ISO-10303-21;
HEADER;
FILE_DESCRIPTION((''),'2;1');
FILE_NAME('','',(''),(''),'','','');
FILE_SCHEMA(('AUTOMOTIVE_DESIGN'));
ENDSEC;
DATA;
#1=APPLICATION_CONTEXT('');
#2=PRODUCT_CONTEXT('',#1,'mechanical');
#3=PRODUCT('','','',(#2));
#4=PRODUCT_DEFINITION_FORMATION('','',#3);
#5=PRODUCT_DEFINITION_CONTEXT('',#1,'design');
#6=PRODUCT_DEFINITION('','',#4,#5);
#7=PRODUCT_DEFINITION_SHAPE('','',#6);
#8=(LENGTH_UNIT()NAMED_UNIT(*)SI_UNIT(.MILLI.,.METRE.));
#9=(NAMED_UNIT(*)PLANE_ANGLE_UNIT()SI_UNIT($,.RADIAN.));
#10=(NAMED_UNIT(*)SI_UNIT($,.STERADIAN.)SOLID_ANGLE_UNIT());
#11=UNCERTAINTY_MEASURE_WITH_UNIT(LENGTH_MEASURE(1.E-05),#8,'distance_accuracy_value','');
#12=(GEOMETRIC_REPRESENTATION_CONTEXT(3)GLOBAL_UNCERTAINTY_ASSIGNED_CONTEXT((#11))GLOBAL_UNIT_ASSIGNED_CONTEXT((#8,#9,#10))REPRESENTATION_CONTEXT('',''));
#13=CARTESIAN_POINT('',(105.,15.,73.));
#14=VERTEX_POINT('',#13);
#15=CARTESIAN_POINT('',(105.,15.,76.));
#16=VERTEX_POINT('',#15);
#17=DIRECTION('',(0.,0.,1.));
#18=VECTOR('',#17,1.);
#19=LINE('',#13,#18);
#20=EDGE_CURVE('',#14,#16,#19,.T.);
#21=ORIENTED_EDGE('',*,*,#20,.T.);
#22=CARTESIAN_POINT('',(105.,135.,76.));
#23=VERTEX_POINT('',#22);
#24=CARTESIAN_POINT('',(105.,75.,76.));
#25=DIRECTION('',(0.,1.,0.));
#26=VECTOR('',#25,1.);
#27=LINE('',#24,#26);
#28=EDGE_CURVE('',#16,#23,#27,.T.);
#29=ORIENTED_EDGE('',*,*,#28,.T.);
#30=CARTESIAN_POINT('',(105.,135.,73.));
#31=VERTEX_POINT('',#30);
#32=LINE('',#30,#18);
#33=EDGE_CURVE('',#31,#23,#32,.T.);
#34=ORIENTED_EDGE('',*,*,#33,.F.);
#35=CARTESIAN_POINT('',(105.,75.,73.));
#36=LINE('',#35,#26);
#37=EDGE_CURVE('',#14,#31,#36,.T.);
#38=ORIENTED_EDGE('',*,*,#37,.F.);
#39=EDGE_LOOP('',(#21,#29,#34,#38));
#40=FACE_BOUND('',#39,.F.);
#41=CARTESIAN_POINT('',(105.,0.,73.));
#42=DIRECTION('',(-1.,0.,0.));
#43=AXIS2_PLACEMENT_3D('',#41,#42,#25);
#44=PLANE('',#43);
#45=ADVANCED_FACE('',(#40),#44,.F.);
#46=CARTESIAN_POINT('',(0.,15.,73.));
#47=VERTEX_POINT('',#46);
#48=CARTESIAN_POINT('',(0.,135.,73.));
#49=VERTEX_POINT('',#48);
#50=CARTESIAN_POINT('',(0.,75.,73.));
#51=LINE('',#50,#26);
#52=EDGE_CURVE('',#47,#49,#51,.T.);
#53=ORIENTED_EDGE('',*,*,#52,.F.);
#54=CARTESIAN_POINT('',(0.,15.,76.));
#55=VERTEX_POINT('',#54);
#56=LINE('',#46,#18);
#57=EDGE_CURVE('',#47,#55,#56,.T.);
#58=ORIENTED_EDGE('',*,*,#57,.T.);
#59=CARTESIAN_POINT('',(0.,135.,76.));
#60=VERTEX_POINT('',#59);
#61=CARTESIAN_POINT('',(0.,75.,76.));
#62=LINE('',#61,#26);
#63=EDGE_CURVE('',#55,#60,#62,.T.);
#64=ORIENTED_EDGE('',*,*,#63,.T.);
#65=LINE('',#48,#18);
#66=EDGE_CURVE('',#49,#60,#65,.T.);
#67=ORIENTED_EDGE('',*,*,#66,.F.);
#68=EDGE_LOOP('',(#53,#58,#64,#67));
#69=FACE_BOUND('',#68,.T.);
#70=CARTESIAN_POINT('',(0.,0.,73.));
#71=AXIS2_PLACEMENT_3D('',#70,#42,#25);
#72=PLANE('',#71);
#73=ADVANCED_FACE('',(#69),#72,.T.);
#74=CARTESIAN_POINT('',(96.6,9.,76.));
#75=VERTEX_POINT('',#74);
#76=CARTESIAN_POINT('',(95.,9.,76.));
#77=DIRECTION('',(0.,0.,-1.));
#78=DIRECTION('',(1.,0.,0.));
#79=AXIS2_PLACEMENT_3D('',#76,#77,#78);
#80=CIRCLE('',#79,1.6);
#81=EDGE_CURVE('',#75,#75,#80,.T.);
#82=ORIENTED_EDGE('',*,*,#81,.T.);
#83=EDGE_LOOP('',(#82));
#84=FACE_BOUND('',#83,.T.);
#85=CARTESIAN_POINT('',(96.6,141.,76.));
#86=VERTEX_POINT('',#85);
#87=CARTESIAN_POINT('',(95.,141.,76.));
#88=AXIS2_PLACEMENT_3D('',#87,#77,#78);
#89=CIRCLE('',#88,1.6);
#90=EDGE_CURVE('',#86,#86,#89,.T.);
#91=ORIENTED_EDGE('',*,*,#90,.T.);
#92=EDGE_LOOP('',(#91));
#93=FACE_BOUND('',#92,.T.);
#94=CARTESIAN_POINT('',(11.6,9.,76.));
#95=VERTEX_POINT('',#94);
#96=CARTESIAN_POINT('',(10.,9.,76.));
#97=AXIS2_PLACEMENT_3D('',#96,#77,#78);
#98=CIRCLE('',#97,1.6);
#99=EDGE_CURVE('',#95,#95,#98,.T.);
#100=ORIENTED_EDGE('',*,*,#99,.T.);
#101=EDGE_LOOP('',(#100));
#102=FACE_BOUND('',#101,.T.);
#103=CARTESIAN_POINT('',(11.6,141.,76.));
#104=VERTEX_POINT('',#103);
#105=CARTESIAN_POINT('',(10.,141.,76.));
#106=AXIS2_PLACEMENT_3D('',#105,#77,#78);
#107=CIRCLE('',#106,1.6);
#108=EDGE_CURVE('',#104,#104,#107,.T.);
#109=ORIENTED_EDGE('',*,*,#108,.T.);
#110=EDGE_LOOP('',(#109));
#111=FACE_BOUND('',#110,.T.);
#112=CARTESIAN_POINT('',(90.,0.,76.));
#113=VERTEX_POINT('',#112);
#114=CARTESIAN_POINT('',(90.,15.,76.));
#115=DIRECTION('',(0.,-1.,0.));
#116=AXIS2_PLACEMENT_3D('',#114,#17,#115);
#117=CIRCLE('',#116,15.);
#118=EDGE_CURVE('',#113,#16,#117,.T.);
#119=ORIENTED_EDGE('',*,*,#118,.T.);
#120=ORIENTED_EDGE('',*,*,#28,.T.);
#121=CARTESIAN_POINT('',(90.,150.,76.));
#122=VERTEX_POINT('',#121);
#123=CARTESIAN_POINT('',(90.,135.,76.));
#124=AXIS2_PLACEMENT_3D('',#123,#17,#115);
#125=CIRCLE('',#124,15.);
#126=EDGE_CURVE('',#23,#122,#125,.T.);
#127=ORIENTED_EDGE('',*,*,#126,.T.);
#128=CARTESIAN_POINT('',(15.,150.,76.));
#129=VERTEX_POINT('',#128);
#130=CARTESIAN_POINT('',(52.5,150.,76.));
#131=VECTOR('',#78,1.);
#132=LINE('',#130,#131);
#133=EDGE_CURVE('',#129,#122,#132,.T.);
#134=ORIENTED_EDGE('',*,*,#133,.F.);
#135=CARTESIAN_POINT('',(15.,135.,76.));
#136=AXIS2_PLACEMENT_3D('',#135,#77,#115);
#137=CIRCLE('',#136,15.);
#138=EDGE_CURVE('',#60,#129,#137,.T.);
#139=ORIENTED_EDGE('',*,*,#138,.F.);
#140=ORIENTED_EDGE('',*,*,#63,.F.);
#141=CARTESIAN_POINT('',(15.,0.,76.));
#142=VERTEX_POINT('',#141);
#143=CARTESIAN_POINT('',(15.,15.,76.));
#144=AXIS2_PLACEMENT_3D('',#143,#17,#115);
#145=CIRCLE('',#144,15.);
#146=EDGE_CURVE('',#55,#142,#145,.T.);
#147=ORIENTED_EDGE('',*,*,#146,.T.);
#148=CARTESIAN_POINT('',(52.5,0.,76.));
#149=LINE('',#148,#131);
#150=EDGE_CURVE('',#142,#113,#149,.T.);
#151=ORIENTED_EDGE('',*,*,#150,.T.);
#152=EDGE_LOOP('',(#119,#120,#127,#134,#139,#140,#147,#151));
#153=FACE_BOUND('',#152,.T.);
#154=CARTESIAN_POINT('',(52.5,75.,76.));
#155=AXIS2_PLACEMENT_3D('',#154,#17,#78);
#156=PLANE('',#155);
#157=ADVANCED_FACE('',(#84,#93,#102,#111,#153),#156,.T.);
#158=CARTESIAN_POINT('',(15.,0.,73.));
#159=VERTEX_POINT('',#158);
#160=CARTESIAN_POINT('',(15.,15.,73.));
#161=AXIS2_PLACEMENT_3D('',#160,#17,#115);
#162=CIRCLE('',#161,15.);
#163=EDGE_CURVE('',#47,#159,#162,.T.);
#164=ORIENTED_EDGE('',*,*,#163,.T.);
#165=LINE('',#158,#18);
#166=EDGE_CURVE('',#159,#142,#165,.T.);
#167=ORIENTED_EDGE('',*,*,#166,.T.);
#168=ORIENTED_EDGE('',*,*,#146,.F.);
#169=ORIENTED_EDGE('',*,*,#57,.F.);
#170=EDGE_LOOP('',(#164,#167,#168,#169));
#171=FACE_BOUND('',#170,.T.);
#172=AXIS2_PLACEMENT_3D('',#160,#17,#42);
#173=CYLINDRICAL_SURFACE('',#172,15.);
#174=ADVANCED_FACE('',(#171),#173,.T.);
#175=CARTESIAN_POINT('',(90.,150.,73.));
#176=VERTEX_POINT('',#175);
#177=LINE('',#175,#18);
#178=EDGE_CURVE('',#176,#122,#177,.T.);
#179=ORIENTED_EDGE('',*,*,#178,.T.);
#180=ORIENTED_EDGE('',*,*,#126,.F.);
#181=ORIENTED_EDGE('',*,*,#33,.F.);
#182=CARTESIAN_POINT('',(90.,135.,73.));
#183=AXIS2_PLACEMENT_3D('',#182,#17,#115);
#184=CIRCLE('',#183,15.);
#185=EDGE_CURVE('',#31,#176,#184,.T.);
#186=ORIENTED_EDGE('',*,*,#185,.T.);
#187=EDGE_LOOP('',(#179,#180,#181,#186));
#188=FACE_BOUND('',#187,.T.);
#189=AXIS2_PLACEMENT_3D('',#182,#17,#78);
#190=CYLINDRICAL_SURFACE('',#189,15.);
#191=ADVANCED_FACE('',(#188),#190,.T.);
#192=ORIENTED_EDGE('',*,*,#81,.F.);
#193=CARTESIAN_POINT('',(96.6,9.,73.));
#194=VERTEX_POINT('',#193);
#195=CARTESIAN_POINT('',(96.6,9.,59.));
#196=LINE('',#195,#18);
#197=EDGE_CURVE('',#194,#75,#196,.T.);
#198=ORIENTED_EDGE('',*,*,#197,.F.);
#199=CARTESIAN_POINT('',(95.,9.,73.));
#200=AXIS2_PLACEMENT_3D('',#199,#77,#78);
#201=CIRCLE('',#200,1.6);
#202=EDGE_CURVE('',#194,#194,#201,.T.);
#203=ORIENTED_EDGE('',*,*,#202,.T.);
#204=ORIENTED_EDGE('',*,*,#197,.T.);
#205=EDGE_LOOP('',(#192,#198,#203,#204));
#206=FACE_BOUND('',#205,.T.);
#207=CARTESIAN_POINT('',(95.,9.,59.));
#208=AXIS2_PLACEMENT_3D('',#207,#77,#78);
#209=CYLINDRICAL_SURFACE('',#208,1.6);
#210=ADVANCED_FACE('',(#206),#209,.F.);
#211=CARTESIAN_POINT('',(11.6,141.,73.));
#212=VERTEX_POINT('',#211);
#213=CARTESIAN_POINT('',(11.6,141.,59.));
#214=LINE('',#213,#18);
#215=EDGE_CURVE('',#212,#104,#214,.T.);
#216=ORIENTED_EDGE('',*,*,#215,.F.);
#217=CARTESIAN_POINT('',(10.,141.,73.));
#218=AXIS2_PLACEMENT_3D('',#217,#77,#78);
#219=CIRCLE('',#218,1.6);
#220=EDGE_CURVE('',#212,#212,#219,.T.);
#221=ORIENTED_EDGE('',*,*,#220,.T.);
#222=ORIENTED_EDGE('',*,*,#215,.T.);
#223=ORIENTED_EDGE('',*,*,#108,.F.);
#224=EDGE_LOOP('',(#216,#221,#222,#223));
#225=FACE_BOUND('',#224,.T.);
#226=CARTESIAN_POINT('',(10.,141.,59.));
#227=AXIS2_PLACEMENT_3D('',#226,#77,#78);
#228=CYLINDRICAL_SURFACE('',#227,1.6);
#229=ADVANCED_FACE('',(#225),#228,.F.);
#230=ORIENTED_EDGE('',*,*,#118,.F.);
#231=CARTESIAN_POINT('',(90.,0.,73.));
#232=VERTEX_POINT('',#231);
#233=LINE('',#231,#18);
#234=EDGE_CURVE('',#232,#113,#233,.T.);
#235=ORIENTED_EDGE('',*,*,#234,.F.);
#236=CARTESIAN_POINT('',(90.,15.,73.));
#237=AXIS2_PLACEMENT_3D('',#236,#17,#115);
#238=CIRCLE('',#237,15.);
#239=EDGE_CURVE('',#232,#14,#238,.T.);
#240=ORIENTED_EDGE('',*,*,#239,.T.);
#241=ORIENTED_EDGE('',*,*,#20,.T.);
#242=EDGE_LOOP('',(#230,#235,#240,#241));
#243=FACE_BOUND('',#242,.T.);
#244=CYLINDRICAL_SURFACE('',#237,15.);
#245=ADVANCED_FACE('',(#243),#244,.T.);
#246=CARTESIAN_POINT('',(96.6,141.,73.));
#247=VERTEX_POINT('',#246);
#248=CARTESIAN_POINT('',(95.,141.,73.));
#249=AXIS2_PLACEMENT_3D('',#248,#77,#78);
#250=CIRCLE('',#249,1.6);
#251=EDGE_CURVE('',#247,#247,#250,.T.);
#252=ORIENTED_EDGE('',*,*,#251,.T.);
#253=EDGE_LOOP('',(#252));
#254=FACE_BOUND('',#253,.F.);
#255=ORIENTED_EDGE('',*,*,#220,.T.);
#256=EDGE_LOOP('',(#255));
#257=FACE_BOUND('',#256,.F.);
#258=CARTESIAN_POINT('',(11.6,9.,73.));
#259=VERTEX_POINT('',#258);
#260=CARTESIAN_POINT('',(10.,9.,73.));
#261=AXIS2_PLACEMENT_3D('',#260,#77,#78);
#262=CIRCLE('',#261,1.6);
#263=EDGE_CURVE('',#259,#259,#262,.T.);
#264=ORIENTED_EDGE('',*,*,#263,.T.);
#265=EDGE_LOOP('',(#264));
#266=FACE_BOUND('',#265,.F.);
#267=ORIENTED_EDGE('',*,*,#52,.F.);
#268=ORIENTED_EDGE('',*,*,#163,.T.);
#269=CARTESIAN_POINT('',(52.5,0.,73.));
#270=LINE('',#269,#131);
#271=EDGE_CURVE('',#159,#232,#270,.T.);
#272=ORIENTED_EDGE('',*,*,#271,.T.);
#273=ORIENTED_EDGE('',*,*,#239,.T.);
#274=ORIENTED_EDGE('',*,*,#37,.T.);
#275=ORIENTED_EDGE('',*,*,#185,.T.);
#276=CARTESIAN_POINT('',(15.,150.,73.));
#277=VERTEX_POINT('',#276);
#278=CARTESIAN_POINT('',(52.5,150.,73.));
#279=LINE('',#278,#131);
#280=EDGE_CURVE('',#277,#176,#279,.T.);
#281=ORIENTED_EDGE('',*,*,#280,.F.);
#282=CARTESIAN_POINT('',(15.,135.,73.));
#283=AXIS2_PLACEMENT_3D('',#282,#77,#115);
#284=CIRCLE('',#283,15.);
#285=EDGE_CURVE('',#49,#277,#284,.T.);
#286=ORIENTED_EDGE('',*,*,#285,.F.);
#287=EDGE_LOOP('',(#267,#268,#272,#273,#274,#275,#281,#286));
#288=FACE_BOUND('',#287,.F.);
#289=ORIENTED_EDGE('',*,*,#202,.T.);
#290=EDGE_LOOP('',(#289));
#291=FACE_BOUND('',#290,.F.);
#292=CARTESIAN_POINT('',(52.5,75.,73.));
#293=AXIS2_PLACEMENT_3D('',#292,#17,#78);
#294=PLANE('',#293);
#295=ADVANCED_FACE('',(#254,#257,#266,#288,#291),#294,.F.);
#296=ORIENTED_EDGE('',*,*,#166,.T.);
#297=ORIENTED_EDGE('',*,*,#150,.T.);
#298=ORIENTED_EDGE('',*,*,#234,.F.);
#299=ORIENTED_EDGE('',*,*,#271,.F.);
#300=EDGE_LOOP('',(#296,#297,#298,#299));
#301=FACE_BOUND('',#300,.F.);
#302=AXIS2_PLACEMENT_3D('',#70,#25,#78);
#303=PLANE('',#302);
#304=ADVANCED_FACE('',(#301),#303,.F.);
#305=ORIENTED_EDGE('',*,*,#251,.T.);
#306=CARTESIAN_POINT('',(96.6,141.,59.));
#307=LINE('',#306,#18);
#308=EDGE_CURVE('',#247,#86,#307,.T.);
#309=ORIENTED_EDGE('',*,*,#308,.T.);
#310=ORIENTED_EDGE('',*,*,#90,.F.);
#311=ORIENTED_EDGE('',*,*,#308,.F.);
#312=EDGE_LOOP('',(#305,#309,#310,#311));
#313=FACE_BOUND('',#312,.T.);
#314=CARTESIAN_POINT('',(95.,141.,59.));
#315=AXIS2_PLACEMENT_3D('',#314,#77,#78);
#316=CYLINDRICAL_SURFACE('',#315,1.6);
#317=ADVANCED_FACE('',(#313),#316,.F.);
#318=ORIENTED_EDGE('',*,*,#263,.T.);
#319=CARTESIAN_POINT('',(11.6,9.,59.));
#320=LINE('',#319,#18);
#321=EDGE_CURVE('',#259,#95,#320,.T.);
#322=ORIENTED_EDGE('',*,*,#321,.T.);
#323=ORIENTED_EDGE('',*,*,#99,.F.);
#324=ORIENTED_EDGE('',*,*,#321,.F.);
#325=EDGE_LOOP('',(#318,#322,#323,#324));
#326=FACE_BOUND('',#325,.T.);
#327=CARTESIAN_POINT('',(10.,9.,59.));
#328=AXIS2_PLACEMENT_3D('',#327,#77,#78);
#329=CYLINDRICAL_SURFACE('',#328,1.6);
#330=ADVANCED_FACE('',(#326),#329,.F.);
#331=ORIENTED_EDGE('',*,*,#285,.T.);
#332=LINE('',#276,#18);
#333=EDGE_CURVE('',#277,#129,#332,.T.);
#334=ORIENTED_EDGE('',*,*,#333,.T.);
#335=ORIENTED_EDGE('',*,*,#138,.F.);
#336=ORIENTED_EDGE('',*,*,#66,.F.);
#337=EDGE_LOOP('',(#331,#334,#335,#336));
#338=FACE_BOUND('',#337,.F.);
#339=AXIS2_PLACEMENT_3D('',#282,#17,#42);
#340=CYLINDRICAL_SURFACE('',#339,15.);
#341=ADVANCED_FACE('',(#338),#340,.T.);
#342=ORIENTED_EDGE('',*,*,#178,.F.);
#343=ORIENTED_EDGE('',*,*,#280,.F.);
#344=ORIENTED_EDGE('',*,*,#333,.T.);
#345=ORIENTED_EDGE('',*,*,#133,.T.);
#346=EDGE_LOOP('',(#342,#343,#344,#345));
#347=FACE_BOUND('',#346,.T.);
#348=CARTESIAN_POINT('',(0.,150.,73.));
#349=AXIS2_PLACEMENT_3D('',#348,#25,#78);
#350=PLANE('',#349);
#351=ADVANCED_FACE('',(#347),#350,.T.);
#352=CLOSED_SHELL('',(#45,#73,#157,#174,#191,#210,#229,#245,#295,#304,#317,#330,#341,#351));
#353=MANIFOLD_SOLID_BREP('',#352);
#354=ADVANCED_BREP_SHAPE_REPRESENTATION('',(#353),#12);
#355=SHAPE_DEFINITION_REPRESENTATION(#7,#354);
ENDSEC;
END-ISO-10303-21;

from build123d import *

# Parameters (mm, degrees)
CYLINDER015_R     = 1.6
CYLINDER015_DEPTH = 22
CYLINDER016_R     = 1.6
CYLINDER016_DEPTH = 22
CYLINDER013_R     = 1.6
CYLINDER013_DEPTH = 22
CYLINDER014_R     = 1.6
CYLINDER014_DEPTH = 22
BOX006_W          = 105
BOX006_H          = 150
BOX006_DEPTH      = 3
FILLET004_R       = 15


with BuildPart() as cilindro015:
    # Cylinder015 → Cylinder015 (new body)
    with BuildSketch(Plane(origin=(10, 141, 51), x_dir=(1, 0, 0), z_dir=(0, 0, 1))):
        Circle(CYLINDER015_R)
    extrude(amount=CYLINDER015_DEPTH)


with BuildPart() as cilindro016:
    # Cylinder016 → Cylinder016 (new body)
    with BuildSketch(Plane(origin=(95, 141, 51), x_dir=(1, 0, 0), z_dir=(0, 0, 1))):
        Circle(CYLINDER016_R)
    extrude(amount=CYLINDER016_DEPTH)


with BuildPart() as cilindro013:
    # Cylinder013 → Cylinder013 (new body)
    with BuildSketch(Plane(origin=(95, 9, 51), x_dir=(1, 0, 0), z_dir=(0, 0, 1))):
        Circle(CYLINDER013_R)
    extrude(amount=CYLINDER013_DEPTH)


with BuildPart() as fusion006:
    # Cylinder014 → Cylinder014 (new body)
    with BuildSketch(Plane(origin=(10, 9, 51), x_dir=(1, 0, 0), z_dir=(0, 0, 1))):
        Circle(CYLINDER014_R)
    extrude(amount=CYLINDER014_DEPTH)

    # Fusion006: union Cilindro015, Cilindro016, Cilindro013
    add(cilindro015.part)
    add(cilindro016.part)
    add(cilindro013.part)


with BuildPart() as fusion006_1:
    # Fusion006 placement: moved
    add(fusion006.part.moved(Location((0, 0, 7))))


with BuildPart() as cut008:
    # Box006 → Box006 (new body)
    with BuildSketch(Plane.XY):
        with Locations((52.5, 75)):
            Rectangle(BOX006_W, BOX006_H)
    extrude(amount=BOX006_DEPTH)

    # Fillet004
    fillet004_edges = [cut008.edges().sort_by_distance(p)[0] for p in [
        (0, 0, 1.5),
        (0, 150, 1.5),
        (105, 0, 1.5),
        (105, 150, 1.5),
    ]]
    fillet(fillet004_edges, radius=FILLET004_R)


with BuildPart() as cut008_1:
    # Fillet004 placement: moved
    add(cut008.part.moved(Location((0, 0, 72))))

    # Cut008: cut Fusion006
    add(fusion006_1.part, mode=Mode.SUBTRACT)


with BuildPart() as cut008_2:
    # Cut008 placement: moved
    add(cut008_1.part.moved(Location((0, 0, 1))))


solid = cut008_2.part
